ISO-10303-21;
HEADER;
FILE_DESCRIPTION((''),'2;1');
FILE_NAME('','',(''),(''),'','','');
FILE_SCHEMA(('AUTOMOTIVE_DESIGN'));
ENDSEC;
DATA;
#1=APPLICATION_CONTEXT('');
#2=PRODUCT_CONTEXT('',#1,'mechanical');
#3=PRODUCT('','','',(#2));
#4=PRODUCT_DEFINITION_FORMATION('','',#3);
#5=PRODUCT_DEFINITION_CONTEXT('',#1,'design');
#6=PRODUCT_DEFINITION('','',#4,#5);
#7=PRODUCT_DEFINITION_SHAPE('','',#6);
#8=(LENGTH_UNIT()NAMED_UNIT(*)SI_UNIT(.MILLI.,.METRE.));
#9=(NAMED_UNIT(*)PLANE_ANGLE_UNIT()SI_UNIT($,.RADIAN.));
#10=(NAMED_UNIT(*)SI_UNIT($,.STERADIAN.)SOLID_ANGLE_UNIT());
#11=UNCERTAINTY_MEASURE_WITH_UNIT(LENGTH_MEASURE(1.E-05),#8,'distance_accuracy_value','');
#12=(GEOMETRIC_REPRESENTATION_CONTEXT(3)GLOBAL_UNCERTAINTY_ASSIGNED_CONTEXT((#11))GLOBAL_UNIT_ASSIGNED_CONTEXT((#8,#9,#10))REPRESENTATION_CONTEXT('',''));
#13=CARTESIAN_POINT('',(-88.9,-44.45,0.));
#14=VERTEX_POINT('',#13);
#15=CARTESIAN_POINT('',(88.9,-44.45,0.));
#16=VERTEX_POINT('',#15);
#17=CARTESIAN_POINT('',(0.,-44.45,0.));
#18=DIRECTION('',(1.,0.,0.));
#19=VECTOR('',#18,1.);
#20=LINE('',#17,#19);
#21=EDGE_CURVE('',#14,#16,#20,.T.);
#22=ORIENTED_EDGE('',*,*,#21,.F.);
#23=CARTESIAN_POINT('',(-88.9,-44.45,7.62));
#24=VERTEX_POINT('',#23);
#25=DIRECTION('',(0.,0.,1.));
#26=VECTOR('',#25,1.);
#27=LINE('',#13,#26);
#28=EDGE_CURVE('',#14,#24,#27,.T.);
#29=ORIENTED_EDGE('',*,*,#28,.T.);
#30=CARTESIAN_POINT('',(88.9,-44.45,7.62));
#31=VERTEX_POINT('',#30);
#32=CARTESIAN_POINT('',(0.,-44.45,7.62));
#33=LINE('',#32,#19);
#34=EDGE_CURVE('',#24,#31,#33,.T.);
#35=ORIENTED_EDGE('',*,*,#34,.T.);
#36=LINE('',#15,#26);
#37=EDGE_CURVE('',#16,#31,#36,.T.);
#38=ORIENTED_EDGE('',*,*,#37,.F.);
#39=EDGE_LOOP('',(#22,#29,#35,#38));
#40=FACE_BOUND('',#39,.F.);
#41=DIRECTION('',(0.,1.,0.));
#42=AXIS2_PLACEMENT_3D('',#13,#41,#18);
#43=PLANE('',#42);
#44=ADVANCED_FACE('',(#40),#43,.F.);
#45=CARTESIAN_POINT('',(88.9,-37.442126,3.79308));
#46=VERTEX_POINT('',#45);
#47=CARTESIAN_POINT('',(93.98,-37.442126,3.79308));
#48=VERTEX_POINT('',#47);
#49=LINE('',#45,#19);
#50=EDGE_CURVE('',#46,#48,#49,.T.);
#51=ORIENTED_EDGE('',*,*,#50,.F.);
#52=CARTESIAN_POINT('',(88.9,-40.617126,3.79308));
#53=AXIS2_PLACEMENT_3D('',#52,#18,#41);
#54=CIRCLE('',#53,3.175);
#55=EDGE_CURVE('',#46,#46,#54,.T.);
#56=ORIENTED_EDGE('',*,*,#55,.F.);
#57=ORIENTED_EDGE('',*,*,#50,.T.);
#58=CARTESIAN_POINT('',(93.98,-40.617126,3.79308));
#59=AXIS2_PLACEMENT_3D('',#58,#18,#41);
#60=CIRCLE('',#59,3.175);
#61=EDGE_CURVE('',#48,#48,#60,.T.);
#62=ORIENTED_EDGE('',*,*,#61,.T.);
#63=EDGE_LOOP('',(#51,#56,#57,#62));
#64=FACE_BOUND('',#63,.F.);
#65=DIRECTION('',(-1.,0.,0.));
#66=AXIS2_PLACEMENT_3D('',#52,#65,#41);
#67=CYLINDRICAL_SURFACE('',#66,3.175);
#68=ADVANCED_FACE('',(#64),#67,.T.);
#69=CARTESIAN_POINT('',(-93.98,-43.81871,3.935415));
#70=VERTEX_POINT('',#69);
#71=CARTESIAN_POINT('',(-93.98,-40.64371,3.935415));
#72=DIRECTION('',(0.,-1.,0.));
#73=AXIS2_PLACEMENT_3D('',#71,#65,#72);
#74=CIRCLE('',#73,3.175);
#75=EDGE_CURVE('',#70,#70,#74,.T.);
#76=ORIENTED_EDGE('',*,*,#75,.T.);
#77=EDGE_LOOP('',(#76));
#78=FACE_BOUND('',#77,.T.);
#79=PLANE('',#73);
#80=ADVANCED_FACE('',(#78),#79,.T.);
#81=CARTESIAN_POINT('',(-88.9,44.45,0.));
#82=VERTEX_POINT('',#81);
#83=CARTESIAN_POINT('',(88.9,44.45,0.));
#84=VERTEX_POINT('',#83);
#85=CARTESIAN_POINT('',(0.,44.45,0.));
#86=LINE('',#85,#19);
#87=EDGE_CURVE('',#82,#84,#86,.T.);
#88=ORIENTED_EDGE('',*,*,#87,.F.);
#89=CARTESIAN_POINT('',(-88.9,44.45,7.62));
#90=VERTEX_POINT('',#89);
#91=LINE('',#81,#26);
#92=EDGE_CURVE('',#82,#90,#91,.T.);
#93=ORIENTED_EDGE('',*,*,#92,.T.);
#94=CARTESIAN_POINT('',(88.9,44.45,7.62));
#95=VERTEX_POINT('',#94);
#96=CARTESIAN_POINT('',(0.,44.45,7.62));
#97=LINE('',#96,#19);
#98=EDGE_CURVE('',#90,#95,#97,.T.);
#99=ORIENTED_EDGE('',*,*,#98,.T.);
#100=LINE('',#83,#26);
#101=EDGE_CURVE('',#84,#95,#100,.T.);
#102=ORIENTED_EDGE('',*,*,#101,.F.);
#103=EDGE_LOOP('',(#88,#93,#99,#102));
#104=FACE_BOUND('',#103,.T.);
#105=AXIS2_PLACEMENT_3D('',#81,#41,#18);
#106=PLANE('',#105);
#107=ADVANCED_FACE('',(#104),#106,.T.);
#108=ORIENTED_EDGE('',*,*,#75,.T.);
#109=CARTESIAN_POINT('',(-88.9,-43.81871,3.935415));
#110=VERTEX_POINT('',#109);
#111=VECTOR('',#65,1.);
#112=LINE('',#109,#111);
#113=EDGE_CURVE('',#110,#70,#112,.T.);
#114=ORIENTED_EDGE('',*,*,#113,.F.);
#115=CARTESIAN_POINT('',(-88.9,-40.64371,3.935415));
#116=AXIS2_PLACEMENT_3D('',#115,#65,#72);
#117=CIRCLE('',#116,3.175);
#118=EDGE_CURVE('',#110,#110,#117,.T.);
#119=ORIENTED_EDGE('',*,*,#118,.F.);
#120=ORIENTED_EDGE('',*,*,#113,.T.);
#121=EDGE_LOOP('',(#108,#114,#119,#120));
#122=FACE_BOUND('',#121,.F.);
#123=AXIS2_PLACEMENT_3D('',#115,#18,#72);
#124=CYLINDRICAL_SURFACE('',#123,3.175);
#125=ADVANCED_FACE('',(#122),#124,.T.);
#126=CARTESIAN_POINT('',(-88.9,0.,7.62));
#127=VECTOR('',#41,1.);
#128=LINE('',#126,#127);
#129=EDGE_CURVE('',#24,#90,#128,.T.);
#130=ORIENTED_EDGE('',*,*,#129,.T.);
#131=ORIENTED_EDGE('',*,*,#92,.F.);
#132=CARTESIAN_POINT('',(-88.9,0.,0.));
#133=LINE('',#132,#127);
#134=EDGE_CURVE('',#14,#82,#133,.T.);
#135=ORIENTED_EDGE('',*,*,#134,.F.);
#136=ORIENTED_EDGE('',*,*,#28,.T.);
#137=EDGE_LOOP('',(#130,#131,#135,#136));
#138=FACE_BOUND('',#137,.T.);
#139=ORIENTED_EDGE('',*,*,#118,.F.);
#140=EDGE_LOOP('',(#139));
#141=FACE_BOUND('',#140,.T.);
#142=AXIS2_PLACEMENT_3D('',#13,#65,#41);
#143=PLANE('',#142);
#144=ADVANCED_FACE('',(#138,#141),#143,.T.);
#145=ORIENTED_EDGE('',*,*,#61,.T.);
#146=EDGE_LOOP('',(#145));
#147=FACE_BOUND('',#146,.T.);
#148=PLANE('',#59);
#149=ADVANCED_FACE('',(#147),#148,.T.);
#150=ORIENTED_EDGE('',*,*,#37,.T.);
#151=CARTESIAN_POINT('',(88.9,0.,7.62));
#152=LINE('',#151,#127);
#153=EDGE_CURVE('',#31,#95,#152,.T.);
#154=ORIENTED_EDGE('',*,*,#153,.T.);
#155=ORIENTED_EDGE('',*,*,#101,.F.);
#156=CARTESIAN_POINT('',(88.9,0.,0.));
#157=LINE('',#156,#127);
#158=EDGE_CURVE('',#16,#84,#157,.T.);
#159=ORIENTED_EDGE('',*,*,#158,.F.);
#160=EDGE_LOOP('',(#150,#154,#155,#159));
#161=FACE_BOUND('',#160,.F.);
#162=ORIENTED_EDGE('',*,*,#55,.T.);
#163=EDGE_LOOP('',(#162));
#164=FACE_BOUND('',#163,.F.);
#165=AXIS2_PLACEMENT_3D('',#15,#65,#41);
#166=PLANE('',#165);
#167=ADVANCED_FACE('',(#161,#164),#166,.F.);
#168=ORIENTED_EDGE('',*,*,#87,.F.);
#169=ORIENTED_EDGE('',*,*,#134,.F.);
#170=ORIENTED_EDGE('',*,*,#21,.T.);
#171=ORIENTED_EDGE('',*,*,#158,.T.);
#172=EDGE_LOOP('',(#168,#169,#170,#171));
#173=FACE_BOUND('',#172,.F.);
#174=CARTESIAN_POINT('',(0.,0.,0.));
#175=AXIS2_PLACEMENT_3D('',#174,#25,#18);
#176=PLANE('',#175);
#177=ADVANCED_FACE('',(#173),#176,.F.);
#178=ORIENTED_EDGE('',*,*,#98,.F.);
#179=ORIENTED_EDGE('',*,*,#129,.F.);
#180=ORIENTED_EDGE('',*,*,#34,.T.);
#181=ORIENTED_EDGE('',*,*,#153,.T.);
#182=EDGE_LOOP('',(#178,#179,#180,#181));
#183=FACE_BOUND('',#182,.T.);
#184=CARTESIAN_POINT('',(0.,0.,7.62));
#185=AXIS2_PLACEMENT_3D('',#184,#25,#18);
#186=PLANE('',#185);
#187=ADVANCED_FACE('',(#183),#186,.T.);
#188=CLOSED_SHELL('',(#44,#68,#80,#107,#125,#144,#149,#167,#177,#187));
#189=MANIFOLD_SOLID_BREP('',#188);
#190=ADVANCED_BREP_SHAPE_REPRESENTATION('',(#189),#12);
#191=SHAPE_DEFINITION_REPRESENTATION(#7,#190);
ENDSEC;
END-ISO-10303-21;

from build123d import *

# Parameters (mm, degrees)
F0_W     = 177.8
F0_H     = 88.9
F1_DEPTH = 7.62
F2_R     = 3.175
F3_DEPTH = 5.08
F4_R     = 3.175
F5_DEPTH = 5.08


with BuildPart() as f1:
    # F0 (on Top) → F1 (new body)
    with BuildSketch(Plane.XY):
        Rectangle(F0_W, F0_H)
    extrude(amount=F1_DEPTH)

    # F2 (on face) → F3 (join)
    with BuildSketch(Plane(origin=(-88.9, 0, 0), x_dir=(0, -1, 0), z_dir=(-1, 0, 0))):
        with Locations((40.64371, 3.935415)):
            Circle(F2_R)
    extrude(amount=F3_DEPTH)

    # F4 (on face) → F5 (join)
    with BuildSketch(Plane.YZ.offset(88.9)):
        with Locations((-40.617126, 3.79308)):
            Circle(F4_R)
    extrude(amount=F5_DEPTH)


solid = f1.part
